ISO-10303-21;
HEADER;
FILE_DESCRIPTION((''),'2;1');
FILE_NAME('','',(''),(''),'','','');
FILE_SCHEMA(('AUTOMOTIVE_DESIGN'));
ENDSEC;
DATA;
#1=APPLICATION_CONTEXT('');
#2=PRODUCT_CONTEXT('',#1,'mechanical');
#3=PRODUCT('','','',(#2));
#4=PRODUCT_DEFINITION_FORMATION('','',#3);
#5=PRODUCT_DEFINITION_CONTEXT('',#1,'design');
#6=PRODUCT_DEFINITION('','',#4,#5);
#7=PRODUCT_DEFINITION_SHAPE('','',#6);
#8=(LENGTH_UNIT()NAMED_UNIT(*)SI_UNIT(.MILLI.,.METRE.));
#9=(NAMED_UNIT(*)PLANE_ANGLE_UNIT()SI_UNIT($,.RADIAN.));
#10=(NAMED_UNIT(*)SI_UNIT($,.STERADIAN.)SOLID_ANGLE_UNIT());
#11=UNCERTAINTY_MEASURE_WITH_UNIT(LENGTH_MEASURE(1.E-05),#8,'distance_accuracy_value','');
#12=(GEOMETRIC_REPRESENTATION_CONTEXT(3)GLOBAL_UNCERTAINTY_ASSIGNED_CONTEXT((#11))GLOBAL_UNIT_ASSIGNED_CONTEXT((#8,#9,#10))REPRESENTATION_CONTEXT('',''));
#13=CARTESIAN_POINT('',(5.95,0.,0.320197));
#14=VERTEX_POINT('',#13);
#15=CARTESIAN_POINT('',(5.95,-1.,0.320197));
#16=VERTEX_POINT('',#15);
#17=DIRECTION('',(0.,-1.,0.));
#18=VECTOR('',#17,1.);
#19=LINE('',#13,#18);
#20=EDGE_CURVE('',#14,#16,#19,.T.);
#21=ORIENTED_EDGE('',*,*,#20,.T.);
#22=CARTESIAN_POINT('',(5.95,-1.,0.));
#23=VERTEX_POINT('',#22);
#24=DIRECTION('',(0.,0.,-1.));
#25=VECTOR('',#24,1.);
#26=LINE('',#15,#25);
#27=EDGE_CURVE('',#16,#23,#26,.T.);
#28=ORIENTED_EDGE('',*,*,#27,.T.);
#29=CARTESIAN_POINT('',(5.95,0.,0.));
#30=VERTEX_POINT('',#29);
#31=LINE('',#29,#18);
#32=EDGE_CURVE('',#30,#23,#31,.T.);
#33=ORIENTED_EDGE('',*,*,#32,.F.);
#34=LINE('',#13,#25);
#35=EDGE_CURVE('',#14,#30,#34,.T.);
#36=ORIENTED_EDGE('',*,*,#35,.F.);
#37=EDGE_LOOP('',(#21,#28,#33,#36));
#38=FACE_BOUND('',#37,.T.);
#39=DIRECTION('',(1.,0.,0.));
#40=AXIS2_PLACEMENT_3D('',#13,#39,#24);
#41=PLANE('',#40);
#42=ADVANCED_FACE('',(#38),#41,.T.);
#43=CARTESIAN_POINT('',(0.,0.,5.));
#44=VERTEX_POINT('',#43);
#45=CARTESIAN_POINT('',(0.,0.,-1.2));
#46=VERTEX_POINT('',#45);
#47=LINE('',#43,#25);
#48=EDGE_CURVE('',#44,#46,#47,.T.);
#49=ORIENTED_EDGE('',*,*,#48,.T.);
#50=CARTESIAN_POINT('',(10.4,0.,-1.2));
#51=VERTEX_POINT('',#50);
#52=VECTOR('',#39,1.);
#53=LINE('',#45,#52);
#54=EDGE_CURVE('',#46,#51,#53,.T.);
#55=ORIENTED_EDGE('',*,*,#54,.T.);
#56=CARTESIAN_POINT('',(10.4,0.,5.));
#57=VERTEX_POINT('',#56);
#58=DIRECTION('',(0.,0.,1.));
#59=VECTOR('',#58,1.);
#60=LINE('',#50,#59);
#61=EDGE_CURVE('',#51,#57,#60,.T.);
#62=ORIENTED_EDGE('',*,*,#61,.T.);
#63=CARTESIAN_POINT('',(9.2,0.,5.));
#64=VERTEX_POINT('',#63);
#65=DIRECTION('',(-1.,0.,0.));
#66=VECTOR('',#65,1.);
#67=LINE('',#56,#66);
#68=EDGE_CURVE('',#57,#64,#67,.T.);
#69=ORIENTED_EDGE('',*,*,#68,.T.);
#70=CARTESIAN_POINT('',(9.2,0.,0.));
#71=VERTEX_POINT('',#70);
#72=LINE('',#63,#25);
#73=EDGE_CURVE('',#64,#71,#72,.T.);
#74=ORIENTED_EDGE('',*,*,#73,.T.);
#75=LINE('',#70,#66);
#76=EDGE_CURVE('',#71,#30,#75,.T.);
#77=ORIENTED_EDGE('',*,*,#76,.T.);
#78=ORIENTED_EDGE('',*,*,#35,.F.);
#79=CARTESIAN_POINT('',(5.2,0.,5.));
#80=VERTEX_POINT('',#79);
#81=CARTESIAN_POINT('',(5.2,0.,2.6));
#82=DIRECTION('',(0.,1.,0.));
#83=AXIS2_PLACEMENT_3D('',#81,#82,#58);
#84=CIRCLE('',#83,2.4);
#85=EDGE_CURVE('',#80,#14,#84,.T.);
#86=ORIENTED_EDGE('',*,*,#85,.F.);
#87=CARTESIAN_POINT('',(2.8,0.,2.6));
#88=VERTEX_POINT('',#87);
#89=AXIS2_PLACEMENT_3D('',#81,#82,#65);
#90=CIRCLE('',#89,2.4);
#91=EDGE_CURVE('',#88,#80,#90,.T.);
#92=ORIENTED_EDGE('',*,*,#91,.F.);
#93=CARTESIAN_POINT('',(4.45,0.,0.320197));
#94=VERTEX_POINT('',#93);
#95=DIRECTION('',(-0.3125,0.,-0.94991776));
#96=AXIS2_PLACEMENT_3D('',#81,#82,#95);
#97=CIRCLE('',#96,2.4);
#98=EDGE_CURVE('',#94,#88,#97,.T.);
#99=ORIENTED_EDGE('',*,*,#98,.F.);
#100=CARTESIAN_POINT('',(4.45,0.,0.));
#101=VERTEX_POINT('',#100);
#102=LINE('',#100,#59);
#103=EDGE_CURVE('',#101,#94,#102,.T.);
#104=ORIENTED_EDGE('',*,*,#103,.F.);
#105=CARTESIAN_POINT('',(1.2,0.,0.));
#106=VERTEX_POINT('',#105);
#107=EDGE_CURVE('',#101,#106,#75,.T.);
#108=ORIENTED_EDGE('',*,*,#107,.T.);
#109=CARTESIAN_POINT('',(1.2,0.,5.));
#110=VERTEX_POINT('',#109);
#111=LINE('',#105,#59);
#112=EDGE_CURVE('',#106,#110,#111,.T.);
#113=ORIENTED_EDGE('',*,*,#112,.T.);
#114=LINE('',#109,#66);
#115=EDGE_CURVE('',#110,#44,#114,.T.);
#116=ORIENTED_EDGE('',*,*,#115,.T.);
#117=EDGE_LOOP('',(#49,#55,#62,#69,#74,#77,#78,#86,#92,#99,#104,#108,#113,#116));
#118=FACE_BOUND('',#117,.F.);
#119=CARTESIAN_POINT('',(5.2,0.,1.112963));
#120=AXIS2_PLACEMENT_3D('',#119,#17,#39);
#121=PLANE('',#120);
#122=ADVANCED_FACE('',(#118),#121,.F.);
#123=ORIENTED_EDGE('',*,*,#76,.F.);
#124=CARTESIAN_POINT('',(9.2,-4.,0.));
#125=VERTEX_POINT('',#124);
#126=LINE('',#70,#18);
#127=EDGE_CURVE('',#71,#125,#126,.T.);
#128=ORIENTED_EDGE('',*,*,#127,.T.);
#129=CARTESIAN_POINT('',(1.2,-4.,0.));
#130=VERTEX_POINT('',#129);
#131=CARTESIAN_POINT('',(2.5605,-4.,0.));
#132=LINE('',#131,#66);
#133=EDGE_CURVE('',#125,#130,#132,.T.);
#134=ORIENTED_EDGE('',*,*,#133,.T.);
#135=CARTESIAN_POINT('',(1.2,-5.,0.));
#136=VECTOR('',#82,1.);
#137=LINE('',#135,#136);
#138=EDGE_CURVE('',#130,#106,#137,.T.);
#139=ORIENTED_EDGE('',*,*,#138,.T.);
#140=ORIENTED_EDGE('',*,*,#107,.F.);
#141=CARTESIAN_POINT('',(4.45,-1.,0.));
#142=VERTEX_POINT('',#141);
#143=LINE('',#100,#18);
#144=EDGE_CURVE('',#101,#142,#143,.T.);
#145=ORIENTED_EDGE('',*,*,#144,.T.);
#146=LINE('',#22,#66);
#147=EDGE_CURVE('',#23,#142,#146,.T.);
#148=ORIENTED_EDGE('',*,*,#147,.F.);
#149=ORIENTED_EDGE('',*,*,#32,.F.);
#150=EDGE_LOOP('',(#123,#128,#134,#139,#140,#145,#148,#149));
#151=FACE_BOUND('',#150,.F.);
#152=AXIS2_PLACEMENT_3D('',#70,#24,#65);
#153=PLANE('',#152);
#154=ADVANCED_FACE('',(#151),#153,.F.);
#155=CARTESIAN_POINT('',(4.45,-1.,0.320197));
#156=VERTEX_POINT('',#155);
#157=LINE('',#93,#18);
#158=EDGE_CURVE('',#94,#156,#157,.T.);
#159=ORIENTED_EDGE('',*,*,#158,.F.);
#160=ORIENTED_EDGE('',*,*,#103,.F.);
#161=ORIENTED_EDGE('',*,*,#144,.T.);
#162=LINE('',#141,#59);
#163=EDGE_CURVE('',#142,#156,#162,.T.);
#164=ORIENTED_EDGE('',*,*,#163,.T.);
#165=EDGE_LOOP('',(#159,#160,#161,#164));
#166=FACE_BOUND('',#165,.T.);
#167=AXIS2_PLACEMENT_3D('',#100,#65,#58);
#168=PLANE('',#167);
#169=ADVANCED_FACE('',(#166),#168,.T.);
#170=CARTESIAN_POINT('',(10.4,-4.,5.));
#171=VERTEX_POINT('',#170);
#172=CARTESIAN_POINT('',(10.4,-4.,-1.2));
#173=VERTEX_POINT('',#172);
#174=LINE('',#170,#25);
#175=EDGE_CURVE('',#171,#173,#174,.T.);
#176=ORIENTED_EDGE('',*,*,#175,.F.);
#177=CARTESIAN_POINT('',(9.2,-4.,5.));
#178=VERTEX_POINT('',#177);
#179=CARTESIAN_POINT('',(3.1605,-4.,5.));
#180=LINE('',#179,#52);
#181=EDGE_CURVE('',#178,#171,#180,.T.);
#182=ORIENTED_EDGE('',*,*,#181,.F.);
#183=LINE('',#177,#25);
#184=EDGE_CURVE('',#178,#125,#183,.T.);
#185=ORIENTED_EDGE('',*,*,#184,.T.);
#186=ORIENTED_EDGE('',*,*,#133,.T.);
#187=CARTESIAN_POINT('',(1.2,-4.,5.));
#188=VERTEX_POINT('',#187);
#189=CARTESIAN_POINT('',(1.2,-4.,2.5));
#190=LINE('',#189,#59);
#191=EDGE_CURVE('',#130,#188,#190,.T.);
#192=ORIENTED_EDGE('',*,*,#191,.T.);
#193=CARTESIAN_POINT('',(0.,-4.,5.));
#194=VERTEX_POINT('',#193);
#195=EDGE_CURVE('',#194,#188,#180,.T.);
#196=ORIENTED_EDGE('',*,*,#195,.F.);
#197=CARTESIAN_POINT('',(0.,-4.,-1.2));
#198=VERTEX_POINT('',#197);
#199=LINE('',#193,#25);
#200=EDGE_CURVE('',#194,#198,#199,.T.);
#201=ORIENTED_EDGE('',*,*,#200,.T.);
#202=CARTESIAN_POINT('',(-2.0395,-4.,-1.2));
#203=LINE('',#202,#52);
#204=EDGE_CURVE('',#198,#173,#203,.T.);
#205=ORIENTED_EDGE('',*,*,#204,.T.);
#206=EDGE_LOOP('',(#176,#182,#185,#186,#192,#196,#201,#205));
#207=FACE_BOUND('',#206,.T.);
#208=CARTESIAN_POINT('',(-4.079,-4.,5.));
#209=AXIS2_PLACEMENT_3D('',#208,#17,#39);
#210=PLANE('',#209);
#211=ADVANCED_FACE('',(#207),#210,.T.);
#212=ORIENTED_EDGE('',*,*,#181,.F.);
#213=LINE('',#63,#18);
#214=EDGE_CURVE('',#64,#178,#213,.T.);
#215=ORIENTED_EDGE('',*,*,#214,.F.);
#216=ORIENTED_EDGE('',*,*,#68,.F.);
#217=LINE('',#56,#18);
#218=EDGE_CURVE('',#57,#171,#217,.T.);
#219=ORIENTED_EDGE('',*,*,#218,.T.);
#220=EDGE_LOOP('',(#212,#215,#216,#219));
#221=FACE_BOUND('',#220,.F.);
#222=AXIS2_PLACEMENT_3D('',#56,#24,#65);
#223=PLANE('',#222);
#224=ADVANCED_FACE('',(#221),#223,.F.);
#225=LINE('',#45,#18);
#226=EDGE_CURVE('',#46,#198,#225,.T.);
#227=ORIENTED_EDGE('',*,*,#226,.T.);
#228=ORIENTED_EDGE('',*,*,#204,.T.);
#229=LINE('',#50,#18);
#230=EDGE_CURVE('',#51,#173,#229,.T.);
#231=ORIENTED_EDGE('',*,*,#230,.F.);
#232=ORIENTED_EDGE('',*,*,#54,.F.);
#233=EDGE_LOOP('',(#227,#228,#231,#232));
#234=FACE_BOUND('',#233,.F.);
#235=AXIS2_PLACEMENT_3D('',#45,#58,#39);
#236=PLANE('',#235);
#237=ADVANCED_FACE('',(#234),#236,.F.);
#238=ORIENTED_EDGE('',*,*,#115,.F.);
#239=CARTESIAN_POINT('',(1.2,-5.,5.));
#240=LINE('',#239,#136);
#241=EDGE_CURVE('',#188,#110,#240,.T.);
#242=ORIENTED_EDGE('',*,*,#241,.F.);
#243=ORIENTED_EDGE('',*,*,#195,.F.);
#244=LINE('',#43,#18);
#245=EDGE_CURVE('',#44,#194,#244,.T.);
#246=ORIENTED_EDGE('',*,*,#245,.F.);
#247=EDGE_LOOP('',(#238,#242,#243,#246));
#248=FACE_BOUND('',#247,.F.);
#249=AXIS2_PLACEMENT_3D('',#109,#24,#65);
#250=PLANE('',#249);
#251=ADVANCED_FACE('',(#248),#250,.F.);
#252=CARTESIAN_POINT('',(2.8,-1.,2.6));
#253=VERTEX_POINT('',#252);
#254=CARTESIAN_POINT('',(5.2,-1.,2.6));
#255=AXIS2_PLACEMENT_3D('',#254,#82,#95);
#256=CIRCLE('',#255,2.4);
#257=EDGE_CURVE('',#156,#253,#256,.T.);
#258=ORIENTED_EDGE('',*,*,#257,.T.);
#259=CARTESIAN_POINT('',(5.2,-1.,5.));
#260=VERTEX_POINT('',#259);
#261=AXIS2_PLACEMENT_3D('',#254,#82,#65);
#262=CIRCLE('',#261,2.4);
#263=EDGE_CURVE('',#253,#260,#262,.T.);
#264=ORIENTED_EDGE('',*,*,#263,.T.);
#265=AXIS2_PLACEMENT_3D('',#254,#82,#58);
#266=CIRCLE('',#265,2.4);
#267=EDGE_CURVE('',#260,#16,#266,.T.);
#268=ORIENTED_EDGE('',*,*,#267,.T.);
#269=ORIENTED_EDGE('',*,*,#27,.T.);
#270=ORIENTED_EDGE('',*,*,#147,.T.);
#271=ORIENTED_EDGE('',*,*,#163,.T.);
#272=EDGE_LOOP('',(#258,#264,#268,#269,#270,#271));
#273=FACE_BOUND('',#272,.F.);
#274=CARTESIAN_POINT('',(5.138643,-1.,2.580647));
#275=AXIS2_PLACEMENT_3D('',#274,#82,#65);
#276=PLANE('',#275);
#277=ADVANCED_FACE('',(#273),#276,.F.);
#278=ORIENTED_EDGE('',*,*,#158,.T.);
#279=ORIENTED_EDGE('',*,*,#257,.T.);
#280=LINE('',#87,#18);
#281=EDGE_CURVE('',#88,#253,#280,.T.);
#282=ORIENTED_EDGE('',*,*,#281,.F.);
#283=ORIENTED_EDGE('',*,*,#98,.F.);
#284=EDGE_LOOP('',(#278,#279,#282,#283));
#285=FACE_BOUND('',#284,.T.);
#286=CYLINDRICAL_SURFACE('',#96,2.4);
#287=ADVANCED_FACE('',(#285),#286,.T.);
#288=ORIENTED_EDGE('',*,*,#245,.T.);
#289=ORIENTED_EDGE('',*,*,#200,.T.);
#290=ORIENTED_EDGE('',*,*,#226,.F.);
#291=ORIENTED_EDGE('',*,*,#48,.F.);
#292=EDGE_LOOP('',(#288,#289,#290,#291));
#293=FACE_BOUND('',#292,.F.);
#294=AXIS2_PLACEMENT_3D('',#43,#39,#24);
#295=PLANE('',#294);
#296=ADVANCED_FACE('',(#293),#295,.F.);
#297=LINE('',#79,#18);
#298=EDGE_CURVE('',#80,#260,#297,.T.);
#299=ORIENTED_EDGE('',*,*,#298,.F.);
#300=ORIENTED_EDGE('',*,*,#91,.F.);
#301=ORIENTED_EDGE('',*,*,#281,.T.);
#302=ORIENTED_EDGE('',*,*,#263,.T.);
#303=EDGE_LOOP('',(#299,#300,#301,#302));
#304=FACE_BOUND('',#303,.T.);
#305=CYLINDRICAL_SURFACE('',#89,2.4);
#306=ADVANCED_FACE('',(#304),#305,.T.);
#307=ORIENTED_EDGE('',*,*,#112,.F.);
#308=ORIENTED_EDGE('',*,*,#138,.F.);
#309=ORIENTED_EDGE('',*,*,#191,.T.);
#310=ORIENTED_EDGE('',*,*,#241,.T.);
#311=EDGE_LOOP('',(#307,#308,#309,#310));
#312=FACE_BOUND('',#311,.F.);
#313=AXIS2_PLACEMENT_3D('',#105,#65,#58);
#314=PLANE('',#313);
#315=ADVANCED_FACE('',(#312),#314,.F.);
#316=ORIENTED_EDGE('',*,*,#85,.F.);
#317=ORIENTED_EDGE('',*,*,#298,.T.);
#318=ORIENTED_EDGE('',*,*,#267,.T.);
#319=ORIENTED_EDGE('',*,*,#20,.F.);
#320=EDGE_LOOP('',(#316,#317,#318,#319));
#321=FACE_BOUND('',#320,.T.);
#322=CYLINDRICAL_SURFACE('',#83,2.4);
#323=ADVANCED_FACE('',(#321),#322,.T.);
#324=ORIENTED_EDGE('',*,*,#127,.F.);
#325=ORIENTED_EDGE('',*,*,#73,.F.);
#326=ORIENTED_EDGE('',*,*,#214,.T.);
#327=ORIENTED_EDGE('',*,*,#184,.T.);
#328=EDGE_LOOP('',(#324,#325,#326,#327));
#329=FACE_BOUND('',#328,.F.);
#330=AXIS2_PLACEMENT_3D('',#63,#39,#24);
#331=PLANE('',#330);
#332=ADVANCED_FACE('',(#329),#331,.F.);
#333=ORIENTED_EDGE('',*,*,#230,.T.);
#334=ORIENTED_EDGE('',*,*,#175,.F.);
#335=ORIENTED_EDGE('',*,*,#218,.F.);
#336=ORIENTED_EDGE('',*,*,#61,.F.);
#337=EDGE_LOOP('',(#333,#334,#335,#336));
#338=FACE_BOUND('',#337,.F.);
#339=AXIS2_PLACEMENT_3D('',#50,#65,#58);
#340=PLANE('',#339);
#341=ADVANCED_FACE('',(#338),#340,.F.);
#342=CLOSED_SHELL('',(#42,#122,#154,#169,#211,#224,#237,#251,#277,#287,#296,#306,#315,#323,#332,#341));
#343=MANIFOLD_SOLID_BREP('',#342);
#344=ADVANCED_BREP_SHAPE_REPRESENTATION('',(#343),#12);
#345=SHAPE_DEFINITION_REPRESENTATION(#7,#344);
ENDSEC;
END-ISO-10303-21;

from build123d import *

# Parameters (mm, degrees)
F1_DEPTH = 5
F3_DEPTH = 1.9
F3_TAPER = 10
F5_DEPTH = 1
F6_W     = 8
F6_H     = 3.4583588084
F7_DEPTH = 25
F8_W     = 14.479
F8_H     = 1
F9_DEPTH = 25


with BuildPart() as f1:
    # F0 (on Front) → F1 (new body)
    with BuildSketch(Plane.XZ):
        Polygon((0, 5), (0, 0), (0, -1.2), (10.4, -1.2), (10.4, 0), (10.4, 5), (9.2, 5), (9.2, 0), (1.2, 0), (1.2, 5), align=None)
    extrude(amount=F1_DEPTH)

    # F2 (on face) → F3 (join)
    with BuildSketch(Plane.XY):
        with BuildLine():
            ThreePointArc((5.9758246596, -2.5), (5.7485908778, -1.9514091222), (5.2, -1.7241753404))
            Line((5.2, -1.7241753404), (5.2, -3.2758246596))
            ThreePointArc((5.2, -3.2758246596), (5.7485908778, -3.0485908778), (5.9758246596, -2.5))
        make_face()
        with BuildLine():
            Line((5.2, -3.2758246596), (5.2, -1.7241753404))
            ThreePointArc((5.2, -1.7241753404), (4.4241753404, -2.5), (5.2, -3.2758246596))
        make_face()
    extrude(amount=F3_DEPTH, taper=F3_TAPER)

    # F4 (on face) → F5 (join)
    with BuildSketch(Plane(origin=(0, 0, 0), x_dir=(-1, 0, 0), z_dir=(0, 1, 0))):
        with BuildLine():
            ThreePointArc((-4.45, 0.320197377), (-3.2557777905, 1.1928752721), (-2.8, 2.6))
            ThreePointArc((-2.8, 2.6), (-3.5029437252, 4.2970562748), (-5.2, 5))
            ThreePointArc((-5.2, 5), (-7.5697601456, 2.9797852714), (-5.95, 0.320197377))
            ThreePointArc((-5.95, 0.320197377), (-5.2, 0.2), (-4.45, 0.320197377))
        make_face()
        with BuildLine():
            Line((-4.45, 0), (-4.45, 0.320197377))
            ThreePointArc((-4.45, 0.320197377), (-5.2, 0.2), (-5.95, 0.320197377))
            Line((-5.95, 0.320197377), (-5.95, 0))
            Line((-5.95, 0), (-4.45, 0))
        make_face()
    extrude(amount=-F5_DEPTH)

    # F6 (on face) → F7 (cut)
    with BuildSketch(Plane.XY):
        with Locations((5.2, -3.2708205958)):
            Rectangle(F6_W, F6_H)
    extrude(amount=F7_DEPTH, mode=Mode.SUBTRACT)

    # F8 (on face) → F9 (cut)
    with BuildSketch(Plane.XY.offset(5)):
        with Locations((3.1605, -4.5)):
            Rectangle(F8_W, F8_H)
    extrude(amount=-F9_DEPTH, mode=Mode.SUBTRACT)


solid = f1.part
